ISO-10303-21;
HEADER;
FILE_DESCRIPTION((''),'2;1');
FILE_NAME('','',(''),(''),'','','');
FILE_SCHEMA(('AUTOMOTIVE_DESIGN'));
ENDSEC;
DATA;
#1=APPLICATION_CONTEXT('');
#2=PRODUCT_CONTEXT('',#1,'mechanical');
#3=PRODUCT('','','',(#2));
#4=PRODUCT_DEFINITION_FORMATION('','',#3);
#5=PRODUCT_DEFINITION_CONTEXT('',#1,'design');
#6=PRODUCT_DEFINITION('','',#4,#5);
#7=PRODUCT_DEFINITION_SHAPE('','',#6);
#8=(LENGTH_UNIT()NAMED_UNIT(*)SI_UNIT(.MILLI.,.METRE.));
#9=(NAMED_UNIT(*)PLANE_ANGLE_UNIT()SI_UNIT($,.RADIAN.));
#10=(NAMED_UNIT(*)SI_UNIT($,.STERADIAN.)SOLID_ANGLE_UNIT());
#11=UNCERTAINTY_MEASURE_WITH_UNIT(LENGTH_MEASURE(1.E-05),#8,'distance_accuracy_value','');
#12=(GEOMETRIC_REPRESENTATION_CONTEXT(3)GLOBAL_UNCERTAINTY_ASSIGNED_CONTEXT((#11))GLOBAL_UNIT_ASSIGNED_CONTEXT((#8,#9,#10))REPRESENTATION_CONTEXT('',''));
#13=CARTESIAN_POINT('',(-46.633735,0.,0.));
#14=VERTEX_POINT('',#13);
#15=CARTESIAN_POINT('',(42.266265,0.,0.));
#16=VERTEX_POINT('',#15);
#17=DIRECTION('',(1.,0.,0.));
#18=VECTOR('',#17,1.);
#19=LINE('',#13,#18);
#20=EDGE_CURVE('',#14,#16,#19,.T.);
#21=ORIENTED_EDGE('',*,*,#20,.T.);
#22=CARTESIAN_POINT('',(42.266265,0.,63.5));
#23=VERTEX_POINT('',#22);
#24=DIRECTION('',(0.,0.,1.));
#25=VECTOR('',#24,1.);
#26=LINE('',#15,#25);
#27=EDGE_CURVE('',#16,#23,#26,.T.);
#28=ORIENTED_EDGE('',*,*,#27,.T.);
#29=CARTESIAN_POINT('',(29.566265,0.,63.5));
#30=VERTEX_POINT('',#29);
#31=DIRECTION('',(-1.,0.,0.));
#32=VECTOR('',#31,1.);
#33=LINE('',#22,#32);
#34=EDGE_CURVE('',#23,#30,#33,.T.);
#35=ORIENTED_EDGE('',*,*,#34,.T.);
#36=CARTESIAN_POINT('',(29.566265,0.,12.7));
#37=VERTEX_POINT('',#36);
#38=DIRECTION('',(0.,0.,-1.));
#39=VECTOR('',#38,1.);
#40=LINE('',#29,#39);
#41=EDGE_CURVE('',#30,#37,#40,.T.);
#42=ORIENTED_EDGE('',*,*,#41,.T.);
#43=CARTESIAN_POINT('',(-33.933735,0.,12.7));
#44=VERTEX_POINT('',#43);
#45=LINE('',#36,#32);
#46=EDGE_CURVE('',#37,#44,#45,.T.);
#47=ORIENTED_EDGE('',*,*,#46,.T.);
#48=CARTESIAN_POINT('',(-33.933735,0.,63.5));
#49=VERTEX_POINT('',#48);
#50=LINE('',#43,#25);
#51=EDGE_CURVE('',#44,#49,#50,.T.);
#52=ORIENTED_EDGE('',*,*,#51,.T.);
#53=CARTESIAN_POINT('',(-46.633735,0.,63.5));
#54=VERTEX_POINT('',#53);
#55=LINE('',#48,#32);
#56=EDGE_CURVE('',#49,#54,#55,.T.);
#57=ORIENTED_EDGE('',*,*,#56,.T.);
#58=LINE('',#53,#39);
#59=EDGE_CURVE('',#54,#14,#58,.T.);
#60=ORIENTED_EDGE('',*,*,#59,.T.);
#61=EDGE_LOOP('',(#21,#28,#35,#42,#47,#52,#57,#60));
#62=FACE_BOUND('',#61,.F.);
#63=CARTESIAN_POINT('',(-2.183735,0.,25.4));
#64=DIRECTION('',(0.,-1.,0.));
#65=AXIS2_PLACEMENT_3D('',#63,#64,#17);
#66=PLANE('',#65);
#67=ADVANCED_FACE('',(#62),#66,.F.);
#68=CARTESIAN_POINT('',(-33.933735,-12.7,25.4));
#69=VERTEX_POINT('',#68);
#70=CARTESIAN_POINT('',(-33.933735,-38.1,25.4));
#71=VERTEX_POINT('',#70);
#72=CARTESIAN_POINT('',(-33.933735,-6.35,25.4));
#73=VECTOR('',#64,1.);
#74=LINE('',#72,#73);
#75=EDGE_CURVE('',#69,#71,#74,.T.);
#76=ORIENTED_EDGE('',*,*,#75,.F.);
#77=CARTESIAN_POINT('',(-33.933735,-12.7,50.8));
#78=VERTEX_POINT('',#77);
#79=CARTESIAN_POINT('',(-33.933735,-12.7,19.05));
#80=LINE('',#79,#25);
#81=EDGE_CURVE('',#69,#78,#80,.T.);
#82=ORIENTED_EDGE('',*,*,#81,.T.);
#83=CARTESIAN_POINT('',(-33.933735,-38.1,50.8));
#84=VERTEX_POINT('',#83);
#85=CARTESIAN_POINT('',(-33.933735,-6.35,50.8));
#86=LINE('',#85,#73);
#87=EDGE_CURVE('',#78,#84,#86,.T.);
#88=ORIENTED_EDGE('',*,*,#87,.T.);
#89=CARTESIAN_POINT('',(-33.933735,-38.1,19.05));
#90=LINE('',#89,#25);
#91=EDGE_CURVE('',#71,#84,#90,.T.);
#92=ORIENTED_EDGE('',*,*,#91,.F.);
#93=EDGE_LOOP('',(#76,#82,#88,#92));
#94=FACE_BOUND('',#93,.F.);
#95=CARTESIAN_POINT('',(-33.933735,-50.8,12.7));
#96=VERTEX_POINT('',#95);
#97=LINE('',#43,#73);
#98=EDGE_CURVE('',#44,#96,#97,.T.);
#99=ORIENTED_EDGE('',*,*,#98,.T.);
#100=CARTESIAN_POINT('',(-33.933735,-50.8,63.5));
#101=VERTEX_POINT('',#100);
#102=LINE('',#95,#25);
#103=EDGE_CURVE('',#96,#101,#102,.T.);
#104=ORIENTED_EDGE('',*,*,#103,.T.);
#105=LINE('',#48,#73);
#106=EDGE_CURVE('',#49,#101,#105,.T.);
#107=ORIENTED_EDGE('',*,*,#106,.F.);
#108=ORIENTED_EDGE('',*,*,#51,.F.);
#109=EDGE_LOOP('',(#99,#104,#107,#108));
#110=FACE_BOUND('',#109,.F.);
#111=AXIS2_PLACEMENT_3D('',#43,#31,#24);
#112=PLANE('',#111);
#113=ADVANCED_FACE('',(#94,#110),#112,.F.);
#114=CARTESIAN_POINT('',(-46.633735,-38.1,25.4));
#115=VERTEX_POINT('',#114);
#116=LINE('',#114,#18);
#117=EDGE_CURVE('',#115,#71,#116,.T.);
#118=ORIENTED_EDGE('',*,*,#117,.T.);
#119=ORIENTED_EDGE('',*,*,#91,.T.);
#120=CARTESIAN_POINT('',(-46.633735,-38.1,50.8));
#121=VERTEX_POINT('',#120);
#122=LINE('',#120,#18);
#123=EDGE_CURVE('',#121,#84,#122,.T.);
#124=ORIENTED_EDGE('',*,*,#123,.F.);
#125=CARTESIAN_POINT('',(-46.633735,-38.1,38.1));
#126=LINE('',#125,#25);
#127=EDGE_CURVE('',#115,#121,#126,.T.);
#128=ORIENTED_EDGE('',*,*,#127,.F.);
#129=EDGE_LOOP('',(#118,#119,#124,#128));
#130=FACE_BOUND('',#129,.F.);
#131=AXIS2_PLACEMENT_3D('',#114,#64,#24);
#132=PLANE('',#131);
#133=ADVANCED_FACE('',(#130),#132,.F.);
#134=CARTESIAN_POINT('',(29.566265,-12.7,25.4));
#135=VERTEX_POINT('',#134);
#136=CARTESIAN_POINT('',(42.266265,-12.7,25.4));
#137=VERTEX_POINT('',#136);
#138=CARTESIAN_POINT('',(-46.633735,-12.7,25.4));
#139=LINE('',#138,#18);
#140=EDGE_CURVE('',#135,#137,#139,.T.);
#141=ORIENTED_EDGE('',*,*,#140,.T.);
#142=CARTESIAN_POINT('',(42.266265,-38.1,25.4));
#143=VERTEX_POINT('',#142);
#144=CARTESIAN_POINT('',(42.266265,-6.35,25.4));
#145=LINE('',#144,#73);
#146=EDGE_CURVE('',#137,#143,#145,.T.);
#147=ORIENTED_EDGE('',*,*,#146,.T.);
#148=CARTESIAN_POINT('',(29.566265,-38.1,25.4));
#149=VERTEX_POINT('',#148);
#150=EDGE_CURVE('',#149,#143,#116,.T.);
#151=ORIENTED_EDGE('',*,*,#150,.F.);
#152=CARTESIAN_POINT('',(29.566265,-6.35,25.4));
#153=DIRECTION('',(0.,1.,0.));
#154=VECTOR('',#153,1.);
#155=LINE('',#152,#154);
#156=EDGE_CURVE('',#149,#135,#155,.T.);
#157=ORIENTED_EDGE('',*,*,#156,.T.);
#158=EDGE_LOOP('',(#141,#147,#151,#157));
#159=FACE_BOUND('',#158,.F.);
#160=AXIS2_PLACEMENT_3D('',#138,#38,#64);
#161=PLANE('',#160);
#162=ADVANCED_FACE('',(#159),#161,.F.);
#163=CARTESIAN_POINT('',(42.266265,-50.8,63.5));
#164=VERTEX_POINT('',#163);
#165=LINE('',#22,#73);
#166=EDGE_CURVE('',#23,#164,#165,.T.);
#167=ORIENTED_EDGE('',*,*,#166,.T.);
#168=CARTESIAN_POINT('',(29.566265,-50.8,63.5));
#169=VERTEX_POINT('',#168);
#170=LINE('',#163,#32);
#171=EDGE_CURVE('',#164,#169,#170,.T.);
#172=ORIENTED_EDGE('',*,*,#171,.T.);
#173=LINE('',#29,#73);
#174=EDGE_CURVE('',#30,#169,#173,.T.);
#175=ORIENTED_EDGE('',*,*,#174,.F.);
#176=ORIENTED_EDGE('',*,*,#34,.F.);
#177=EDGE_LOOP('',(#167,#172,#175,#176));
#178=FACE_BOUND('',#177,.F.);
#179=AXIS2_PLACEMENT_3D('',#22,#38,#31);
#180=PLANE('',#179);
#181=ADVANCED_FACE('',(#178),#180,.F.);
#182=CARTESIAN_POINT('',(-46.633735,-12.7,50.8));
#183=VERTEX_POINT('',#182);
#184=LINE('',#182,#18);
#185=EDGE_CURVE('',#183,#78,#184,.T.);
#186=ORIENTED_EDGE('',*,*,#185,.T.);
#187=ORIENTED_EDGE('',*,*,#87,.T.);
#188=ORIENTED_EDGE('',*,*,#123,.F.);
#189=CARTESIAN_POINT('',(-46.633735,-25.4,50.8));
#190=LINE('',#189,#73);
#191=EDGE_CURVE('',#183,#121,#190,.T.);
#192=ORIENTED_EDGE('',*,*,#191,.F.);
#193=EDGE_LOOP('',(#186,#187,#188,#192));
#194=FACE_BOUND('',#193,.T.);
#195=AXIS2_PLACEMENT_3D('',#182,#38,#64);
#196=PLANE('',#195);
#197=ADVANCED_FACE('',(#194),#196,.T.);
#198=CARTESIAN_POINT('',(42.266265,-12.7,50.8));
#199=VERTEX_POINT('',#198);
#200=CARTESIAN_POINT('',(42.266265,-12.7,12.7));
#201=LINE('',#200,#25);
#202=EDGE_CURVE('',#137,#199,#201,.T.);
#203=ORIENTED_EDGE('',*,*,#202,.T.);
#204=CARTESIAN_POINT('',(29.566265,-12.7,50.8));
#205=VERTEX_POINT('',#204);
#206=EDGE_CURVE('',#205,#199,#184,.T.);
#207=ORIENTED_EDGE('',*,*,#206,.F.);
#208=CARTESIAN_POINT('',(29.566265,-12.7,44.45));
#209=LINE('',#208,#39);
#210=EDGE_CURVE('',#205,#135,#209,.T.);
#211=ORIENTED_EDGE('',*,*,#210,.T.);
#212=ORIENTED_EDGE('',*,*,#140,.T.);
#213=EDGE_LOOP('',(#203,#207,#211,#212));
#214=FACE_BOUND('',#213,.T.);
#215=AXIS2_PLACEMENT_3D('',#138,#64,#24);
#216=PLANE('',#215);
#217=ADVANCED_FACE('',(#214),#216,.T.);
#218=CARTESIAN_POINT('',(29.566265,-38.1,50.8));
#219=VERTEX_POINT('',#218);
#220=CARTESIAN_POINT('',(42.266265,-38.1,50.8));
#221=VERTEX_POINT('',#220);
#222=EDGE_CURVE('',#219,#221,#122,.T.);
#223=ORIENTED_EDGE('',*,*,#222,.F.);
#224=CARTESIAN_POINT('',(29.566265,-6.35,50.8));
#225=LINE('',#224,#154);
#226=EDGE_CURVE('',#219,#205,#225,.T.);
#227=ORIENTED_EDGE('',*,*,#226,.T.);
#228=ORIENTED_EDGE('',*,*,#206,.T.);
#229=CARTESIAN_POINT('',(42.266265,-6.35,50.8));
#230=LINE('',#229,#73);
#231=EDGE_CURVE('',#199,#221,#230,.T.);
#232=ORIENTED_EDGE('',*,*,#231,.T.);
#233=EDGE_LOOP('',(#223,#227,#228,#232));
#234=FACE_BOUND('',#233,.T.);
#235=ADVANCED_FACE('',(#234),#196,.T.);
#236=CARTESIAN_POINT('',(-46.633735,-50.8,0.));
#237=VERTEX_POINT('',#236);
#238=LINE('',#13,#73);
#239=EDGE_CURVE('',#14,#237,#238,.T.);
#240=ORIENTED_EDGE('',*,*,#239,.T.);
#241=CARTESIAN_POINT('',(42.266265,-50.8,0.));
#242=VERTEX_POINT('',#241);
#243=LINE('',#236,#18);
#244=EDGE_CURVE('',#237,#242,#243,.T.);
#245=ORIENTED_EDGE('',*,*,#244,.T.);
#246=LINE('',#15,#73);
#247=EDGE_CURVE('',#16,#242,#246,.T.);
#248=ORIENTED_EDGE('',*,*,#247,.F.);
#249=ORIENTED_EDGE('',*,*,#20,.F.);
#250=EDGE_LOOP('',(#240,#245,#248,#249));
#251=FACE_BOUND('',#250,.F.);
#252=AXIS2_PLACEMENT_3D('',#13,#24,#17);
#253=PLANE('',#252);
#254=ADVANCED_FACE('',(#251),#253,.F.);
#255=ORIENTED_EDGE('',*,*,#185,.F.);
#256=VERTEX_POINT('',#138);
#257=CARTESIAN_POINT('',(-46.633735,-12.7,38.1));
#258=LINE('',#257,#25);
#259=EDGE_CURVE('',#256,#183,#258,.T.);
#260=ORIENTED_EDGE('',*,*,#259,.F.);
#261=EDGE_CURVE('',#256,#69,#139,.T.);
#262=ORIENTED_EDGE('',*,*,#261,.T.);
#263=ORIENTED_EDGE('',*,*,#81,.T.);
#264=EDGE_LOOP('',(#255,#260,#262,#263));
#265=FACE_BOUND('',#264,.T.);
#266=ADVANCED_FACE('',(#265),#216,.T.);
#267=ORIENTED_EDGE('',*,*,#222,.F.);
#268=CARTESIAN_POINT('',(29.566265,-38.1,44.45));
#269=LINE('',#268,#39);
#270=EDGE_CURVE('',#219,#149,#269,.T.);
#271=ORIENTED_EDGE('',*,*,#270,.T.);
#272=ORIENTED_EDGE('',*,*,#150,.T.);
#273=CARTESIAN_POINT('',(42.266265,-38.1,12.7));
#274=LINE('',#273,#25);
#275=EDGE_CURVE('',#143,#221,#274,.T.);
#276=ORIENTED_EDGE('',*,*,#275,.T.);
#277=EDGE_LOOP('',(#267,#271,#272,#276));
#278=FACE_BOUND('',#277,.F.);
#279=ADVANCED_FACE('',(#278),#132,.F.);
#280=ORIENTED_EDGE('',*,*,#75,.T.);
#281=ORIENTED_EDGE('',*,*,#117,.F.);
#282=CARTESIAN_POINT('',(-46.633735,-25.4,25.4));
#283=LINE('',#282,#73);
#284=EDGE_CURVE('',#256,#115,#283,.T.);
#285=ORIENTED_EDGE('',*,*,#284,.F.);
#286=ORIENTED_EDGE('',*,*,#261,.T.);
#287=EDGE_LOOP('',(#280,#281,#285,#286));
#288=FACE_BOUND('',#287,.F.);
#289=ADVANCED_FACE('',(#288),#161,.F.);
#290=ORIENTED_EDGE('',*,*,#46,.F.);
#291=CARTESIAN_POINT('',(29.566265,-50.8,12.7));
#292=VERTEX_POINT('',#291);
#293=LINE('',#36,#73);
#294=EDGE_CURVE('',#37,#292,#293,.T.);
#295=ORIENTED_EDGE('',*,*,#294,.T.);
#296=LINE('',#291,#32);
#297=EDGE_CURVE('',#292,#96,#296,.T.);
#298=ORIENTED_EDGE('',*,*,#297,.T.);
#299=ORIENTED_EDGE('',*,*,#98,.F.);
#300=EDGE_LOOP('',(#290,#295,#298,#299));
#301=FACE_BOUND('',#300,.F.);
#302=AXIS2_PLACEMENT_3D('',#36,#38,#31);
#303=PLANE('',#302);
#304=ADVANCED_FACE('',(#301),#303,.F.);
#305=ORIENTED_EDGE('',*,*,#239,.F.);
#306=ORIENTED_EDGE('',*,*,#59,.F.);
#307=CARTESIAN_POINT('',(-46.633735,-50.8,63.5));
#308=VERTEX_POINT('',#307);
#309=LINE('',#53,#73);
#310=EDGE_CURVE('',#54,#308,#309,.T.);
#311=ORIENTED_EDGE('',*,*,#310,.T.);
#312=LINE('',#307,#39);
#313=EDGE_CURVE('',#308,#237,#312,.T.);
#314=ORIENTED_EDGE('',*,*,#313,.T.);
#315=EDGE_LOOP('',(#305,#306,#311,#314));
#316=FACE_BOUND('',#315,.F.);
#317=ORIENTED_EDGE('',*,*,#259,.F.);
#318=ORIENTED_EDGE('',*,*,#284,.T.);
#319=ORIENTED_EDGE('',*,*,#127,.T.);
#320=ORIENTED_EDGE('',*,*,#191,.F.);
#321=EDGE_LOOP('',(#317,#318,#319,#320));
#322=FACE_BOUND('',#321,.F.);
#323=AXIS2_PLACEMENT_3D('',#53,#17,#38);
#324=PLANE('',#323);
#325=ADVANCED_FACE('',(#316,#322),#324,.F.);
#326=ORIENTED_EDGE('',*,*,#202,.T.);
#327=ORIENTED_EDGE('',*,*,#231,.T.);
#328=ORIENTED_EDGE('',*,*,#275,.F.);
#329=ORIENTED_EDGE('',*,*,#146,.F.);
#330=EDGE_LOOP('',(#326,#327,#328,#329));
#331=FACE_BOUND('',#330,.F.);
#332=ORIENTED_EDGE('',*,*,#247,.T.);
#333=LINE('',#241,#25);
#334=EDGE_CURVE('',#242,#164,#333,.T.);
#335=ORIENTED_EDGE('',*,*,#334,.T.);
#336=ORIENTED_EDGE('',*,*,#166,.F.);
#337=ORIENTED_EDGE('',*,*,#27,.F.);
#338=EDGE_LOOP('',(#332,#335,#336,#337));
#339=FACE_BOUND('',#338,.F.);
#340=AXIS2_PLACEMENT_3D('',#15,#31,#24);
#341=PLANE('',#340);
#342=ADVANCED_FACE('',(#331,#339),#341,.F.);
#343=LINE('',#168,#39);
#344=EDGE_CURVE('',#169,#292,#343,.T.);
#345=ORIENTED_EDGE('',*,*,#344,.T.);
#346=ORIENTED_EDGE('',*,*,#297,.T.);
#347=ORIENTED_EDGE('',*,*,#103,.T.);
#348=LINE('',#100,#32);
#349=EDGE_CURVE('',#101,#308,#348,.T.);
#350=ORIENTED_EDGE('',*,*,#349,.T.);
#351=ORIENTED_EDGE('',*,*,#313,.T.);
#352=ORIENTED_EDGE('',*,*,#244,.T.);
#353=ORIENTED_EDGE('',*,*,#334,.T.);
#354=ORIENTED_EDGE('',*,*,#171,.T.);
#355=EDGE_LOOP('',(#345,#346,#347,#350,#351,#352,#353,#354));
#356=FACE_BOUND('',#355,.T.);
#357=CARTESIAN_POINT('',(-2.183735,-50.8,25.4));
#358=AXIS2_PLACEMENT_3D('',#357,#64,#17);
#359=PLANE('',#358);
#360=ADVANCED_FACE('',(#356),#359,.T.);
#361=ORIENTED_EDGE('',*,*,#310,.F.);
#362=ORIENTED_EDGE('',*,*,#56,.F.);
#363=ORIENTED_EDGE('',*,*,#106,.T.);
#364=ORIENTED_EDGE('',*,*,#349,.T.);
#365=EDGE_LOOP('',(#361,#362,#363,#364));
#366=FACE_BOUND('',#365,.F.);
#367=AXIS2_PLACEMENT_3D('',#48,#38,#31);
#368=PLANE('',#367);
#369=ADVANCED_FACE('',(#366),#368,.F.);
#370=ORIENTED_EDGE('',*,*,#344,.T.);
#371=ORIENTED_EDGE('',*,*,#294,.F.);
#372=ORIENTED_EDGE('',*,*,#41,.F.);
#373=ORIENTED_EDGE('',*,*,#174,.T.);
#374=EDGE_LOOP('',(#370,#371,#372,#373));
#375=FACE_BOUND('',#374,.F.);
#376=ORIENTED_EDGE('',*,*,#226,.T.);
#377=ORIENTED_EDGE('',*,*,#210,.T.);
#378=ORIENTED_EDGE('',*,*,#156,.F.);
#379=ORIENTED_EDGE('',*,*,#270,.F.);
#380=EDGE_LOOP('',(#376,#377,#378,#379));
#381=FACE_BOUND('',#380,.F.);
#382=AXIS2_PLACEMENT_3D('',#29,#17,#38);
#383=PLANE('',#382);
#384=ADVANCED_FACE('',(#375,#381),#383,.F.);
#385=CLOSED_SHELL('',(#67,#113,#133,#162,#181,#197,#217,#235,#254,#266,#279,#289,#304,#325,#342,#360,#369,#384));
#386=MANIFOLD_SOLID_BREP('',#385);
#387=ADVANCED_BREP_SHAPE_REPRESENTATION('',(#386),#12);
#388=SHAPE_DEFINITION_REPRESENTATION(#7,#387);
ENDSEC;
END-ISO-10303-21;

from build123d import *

# Parameters (mm, degrees)
F1_DEPTH = 50.8
F2_W     = 25.4
F2_H     = 25.4
F3_DEPTH = 88.901


with BuildPart() as f1:
    # F0 (on Front) → F1 (new body)
    with BuildSketch(Plane.XZ):
        Polygon((-33.933735, 63.5), (-46.633735, 63.5), (-46.633735, 0), (42.266265, 0), (42.266265, 63.5), (29.566265, 63.5), (29.566265, 12.7), (-33.933735, 12.7), align=None)
    extrude(amount=F1_DEPTH)

    # F2 (on face) → F3 (cut, through all)
    with BuildSketch(Plane(origin=(-46.633735, 0, 0), x_dir=(0, -1, 0), z_dir=(-1, 0, 0))):
        with Locations((25.4, 38.1)):
            Rectangle(F2_W, F2_H)
    extrude(amount=-F3_DEPTH, mode=Mode.SUBTRACT)


solid = f1.part
